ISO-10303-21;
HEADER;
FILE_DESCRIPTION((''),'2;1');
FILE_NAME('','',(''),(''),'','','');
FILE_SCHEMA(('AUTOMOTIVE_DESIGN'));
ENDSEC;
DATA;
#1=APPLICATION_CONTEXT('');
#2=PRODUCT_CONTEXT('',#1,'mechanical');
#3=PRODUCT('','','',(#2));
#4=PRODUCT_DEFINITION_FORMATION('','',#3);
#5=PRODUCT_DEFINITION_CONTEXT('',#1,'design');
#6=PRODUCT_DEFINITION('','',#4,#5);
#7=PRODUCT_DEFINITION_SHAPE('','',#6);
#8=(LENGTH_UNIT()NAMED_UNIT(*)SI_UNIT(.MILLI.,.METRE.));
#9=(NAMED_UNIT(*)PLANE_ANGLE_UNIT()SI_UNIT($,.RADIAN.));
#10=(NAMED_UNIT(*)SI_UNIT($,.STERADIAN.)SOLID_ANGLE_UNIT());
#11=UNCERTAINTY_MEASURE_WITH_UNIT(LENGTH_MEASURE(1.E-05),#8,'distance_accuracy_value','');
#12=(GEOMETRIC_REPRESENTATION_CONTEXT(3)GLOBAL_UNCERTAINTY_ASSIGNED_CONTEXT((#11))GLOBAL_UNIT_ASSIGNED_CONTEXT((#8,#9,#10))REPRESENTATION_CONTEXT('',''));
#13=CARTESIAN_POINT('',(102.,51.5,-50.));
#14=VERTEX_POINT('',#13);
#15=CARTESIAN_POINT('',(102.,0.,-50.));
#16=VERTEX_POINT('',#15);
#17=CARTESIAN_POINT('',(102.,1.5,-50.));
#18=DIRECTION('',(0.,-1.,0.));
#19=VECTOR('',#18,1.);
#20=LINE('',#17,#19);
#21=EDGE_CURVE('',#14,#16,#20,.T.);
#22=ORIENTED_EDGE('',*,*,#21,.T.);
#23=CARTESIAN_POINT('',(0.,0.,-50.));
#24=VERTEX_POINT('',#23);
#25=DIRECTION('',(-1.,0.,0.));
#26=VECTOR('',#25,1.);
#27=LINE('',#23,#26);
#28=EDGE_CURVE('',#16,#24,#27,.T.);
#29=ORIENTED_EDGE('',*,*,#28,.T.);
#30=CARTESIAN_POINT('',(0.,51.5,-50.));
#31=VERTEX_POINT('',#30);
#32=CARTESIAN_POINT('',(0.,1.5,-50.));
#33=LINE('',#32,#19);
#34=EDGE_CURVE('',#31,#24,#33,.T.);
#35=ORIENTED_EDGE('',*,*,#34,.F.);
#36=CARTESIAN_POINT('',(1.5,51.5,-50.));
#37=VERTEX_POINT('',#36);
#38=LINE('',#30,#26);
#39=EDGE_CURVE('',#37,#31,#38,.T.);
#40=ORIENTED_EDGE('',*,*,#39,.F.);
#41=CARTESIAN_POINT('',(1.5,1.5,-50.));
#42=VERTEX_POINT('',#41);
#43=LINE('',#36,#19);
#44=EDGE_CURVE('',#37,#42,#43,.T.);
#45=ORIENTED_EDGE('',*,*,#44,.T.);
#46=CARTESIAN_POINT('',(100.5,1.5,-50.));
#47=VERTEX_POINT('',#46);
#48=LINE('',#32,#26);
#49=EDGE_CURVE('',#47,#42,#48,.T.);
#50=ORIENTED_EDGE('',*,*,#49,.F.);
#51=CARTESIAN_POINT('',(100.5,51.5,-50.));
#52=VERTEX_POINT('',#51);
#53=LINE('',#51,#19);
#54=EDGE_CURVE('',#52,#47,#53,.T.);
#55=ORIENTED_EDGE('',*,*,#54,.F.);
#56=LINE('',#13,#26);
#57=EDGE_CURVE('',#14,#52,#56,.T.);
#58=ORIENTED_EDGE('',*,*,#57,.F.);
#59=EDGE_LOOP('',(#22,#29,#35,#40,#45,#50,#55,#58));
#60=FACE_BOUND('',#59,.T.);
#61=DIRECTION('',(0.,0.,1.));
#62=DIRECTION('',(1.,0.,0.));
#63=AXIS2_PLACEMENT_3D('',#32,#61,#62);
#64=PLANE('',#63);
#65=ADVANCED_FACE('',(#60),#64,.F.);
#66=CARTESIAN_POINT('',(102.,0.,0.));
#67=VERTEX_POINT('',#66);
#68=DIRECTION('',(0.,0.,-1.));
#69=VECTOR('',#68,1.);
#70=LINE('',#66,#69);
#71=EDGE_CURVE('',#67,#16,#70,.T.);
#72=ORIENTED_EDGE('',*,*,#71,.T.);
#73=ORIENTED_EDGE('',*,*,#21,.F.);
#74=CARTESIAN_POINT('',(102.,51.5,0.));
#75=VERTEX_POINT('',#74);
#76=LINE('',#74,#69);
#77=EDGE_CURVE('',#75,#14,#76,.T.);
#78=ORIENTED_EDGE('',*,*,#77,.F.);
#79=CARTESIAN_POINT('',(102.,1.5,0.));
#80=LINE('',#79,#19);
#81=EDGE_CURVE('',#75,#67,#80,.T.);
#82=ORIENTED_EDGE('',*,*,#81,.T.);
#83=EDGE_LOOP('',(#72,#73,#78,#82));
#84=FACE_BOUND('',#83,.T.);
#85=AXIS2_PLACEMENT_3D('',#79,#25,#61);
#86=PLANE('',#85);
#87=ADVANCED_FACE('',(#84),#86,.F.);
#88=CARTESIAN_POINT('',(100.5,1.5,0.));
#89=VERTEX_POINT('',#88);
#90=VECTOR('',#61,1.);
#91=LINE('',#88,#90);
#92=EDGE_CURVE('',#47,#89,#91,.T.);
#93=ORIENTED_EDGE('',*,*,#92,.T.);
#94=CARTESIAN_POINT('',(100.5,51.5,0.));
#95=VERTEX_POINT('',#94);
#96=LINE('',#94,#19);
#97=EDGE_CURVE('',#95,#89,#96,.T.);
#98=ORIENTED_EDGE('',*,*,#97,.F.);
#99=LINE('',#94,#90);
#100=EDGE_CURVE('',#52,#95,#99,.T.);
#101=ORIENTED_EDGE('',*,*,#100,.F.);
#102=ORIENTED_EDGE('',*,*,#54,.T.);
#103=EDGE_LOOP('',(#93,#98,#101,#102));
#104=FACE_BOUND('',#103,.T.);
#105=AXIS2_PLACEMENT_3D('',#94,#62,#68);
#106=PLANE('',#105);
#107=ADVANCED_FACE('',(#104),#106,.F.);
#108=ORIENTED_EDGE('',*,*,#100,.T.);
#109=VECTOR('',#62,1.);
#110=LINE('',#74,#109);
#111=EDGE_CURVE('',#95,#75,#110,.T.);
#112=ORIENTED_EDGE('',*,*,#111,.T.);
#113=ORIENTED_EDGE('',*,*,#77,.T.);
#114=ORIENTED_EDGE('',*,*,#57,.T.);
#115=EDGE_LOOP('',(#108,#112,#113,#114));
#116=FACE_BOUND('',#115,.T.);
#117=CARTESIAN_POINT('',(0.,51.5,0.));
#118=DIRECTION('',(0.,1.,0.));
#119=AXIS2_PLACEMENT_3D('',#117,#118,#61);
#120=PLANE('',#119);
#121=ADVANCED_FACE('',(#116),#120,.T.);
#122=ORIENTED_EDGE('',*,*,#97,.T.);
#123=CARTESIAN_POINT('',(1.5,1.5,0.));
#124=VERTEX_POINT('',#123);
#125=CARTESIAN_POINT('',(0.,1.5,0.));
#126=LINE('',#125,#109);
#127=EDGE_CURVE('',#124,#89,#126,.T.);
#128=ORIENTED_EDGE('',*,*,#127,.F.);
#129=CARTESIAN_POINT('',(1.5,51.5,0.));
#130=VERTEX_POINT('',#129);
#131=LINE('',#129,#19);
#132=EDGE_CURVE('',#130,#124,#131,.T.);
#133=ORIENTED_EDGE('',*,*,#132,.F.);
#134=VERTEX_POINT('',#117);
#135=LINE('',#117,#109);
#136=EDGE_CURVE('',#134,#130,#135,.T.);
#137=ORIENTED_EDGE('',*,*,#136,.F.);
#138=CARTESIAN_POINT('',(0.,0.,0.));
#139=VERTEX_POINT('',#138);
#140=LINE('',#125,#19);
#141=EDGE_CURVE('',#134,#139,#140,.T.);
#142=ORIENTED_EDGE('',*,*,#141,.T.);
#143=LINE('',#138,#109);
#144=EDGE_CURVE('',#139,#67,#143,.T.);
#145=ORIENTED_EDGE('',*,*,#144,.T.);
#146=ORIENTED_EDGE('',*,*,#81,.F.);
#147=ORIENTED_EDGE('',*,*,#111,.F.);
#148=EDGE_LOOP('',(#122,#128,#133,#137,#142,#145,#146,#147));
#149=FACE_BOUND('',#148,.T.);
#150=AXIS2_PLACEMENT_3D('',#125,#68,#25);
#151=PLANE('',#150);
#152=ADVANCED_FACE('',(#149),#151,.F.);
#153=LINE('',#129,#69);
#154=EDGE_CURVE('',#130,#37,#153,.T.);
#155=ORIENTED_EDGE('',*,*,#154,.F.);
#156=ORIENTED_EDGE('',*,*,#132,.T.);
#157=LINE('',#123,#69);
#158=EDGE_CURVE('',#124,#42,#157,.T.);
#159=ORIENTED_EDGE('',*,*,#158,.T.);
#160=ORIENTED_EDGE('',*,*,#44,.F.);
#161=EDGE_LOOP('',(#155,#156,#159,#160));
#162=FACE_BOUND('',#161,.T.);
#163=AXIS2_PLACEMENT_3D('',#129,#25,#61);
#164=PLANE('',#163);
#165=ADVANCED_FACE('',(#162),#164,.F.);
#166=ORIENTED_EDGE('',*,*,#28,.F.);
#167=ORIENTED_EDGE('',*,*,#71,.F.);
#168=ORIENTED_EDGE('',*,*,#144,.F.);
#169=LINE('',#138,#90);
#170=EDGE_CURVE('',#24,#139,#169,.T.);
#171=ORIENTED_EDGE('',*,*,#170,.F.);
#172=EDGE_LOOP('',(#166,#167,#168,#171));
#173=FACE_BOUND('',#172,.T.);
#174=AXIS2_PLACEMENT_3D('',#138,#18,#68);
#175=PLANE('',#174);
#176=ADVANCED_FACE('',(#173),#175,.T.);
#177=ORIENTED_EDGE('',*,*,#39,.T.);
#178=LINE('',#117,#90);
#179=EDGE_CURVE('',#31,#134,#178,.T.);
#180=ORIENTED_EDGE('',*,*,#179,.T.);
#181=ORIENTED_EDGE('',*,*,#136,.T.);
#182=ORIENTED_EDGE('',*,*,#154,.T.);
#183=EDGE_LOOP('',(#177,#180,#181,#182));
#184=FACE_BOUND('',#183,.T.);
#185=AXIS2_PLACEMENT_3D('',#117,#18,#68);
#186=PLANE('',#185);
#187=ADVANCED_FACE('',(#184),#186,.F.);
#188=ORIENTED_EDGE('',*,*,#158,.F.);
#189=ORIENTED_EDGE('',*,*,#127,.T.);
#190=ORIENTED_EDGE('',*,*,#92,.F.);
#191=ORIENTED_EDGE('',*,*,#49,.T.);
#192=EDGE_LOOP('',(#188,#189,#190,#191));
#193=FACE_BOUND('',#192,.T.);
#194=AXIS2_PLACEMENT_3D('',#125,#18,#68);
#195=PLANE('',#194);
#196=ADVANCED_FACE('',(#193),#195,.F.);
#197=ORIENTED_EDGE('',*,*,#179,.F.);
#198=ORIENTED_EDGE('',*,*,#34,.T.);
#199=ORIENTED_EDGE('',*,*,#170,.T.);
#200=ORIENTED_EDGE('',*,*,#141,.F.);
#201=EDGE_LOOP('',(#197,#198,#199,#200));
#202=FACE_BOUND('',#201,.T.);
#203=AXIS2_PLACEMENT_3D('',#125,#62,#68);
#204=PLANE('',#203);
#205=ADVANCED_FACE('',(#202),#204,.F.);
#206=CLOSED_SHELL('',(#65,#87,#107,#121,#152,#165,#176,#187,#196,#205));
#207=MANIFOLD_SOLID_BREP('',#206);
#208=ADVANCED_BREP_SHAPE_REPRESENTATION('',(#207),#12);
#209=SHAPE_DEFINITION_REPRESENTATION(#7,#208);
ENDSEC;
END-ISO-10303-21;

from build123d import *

# Parameters (mm, degrees)
SKETCH1_W           = 102
SKETCH1_H           = 50
BOSS_EXTRUDE1_DEPTH = 1.5
SKETCH2_W           = 1.5
SKETCH2_H           = 50
BOSS_EXTRUDE2_DEPTH = 50


with BuildPart() as part:
    # Sketch1 → Boss-Extrude1 (new body)
    with BuildSketch(Plane(origin=(0, 0, 0), x_dir=(1, 0, 0), z_dir=(0, 1, 0))):
        with Locations((51, 25)):
            Rectangle(SKETCH1_W, SKETCH1_H)
    extrude(amount=BOSS_EXTRUDE1_DEPTH)

    # Sketch2 → Boss-Extrude2 (add)
    with BuildSketch(Plane(origin=(0, 1.5, 0), x_dir=(1, 0, 0), z_dir=(0, 1, 0))):
        with Locations((0.75, 25)):
            Rectangle(SKETCH2_W, SKETCH2_H)
        with Locations((101.25, 25)):
            Rectangle(SKETCH2_W, SKETCH2_H)
    extrude(amount=BOSS_EXTRUDE2_DEPTH)


solid = part.part
